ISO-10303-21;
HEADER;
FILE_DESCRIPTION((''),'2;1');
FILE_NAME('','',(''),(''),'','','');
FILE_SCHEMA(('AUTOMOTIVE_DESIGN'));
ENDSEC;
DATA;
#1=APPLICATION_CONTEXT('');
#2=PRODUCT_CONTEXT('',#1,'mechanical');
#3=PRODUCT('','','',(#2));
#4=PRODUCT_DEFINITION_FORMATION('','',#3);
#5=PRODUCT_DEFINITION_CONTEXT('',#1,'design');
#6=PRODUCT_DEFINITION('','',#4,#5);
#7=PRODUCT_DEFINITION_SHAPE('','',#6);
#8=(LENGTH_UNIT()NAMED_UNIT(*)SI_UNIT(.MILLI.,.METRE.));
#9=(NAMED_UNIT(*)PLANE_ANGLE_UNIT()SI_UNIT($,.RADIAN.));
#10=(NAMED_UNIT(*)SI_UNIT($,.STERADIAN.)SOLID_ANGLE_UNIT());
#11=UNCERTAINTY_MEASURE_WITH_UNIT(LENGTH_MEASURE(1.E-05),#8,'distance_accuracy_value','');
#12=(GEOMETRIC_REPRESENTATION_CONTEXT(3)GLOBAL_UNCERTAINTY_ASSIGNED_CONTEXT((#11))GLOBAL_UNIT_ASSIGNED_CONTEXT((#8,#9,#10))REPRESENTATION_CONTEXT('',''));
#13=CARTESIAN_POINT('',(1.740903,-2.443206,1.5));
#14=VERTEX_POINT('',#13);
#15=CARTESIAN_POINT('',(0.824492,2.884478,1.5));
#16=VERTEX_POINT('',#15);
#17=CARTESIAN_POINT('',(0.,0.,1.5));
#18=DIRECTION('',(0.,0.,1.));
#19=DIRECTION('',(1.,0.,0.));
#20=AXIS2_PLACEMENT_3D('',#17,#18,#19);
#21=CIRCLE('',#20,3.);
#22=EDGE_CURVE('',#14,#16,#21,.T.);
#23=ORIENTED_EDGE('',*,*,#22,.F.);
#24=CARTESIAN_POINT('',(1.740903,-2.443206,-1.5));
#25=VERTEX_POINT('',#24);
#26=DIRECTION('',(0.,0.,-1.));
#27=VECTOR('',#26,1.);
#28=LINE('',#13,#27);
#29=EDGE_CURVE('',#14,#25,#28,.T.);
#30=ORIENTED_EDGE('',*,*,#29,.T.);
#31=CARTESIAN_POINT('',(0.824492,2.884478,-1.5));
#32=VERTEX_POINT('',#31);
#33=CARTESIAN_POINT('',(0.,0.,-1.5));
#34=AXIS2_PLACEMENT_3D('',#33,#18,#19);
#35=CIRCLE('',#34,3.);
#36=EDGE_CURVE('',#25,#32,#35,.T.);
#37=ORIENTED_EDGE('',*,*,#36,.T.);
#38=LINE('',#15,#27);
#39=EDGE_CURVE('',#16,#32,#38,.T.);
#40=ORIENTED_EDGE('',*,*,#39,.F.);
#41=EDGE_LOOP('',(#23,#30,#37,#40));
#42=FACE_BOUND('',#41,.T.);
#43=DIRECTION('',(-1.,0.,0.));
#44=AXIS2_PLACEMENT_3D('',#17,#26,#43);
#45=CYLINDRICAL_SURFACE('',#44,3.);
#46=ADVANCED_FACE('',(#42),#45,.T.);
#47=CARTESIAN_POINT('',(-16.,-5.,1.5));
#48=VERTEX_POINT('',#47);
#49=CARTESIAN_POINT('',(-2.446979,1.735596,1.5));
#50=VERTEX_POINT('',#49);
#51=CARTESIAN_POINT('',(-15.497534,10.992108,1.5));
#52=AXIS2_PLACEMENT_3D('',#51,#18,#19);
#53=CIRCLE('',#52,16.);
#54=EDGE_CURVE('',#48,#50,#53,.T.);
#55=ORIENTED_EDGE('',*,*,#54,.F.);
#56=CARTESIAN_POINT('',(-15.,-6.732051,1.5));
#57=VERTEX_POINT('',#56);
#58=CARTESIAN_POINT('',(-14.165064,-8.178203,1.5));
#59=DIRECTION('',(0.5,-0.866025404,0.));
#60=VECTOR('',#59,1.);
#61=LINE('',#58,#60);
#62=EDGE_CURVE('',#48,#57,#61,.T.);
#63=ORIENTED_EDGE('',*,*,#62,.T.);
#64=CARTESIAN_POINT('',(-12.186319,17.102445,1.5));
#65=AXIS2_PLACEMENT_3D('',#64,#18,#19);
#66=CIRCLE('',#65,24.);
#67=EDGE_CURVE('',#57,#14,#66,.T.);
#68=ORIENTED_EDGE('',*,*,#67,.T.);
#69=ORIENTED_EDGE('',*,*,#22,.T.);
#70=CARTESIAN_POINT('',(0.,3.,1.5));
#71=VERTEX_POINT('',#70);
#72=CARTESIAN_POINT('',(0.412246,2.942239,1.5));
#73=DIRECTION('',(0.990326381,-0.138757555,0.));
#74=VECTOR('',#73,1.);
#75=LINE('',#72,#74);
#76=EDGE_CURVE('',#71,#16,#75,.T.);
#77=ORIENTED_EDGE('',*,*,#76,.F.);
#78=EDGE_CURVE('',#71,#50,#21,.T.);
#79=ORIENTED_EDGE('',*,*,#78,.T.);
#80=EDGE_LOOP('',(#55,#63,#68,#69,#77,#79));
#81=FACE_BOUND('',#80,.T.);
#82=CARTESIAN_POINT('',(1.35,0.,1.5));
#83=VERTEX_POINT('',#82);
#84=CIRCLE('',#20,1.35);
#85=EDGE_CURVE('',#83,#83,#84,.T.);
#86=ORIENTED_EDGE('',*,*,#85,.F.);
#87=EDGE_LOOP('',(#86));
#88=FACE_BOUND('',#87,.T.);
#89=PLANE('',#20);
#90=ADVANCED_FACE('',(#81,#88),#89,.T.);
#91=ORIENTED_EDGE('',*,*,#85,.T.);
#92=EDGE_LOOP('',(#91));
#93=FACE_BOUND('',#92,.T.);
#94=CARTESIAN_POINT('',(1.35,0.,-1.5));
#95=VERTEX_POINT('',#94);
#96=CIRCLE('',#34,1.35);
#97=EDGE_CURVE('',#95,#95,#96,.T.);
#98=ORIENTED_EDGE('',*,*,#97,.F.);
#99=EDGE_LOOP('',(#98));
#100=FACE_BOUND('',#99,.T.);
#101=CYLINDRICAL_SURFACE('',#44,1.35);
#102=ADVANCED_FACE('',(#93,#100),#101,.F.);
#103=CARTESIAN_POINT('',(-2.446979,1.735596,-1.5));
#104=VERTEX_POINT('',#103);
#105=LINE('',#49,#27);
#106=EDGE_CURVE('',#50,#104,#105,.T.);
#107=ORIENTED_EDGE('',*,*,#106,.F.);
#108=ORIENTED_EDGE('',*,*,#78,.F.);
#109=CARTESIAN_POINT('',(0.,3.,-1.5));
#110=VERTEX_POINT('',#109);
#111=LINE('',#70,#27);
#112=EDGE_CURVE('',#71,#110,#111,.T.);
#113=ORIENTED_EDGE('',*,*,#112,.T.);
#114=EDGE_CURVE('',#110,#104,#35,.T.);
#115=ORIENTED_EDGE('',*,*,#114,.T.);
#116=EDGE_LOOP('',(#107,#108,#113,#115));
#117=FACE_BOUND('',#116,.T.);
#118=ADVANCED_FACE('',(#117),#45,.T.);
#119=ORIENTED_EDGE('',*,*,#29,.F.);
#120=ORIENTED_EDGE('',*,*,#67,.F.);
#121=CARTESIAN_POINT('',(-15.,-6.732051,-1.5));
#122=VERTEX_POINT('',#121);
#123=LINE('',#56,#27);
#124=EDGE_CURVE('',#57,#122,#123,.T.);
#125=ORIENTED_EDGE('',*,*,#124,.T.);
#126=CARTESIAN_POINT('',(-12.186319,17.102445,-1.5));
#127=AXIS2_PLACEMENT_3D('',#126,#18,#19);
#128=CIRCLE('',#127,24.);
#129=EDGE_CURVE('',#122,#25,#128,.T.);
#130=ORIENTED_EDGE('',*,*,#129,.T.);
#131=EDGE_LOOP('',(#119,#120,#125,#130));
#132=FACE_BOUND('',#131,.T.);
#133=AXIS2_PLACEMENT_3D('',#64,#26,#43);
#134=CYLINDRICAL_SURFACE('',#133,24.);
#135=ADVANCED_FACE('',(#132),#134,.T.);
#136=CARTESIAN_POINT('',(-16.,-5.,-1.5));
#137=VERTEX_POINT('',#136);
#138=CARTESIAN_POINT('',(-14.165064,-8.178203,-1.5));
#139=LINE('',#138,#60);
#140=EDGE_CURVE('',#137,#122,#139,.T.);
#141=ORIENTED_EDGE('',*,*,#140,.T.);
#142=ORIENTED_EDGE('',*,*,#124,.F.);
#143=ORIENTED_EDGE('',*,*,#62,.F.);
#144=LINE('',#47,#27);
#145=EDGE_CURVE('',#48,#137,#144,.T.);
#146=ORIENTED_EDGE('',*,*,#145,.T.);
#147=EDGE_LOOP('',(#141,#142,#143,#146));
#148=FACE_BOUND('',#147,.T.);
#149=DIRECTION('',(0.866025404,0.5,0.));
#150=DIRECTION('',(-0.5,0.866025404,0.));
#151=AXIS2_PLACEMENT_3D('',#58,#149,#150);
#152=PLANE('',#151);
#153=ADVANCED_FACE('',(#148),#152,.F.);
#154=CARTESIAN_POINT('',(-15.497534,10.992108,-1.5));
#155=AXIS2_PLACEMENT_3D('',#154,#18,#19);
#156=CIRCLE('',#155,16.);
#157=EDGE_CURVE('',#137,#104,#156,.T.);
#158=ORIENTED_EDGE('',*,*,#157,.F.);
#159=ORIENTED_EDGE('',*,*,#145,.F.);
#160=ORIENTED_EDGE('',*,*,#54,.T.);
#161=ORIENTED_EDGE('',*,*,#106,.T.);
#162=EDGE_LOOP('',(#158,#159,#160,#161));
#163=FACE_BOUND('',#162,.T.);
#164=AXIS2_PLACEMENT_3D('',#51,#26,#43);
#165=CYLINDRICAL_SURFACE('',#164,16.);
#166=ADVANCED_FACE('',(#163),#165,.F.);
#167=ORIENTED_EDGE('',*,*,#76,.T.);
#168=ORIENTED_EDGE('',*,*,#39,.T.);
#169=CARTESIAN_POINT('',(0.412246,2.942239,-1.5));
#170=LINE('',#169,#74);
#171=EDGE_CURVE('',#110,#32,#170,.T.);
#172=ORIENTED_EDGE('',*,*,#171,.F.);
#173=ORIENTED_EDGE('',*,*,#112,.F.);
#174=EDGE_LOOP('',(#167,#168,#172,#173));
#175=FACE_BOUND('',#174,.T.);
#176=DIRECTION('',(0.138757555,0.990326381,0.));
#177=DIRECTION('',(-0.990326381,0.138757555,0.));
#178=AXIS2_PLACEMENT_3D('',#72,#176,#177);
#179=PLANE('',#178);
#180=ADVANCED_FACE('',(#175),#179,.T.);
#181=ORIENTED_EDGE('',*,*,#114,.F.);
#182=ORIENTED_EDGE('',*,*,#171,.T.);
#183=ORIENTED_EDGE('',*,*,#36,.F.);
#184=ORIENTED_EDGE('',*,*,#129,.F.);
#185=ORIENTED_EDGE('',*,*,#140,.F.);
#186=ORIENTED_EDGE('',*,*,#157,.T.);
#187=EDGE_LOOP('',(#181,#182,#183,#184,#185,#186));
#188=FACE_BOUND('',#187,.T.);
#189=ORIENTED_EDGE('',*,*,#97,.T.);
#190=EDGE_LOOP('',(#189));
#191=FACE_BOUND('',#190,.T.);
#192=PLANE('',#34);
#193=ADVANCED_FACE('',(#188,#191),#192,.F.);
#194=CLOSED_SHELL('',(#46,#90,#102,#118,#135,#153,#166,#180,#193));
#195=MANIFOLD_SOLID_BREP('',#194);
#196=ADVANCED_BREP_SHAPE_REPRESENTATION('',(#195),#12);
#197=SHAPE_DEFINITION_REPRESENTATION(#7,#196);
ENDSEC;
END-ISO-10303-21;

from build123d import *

# Parameters (mm, degrees)
SKETCH1_R  = 1.35
PAWL_DEPTH = 1.5


with BuildPart() as part:
    # Sketch1 → Pawl (new, symmetric)
    with BuildSketch(Plane.XY):
        with BuildLine():
            Line((0.824491602, 2.884478046), (0, 3))
            ThreePointArc((0, 3), (-1.377173166, 2.665219329), (-2.446979028, 1.735596047))
            ThreePointArc((-2.446979028, 1.735596047), (-8.376740645, -3.335986631), (-16, -5))
            Line((-16, -5), (-15, -6.732050808))
            ThreePointArc((-15, -6.732050808), (-6.23012531, -6.146721639), (1.740902704, -2.443206454))
            ThreePointArc((1.740902704, -2.443206454), (2.956580376, 0.508559221), (0.824491602, 2.884478046))
        make_face()
        Circle(SKETCH1_R, mode=Mode.SUBTRACT)
    extrude(amount=PAWL_DEPTH, both=True)


solid = part.part
